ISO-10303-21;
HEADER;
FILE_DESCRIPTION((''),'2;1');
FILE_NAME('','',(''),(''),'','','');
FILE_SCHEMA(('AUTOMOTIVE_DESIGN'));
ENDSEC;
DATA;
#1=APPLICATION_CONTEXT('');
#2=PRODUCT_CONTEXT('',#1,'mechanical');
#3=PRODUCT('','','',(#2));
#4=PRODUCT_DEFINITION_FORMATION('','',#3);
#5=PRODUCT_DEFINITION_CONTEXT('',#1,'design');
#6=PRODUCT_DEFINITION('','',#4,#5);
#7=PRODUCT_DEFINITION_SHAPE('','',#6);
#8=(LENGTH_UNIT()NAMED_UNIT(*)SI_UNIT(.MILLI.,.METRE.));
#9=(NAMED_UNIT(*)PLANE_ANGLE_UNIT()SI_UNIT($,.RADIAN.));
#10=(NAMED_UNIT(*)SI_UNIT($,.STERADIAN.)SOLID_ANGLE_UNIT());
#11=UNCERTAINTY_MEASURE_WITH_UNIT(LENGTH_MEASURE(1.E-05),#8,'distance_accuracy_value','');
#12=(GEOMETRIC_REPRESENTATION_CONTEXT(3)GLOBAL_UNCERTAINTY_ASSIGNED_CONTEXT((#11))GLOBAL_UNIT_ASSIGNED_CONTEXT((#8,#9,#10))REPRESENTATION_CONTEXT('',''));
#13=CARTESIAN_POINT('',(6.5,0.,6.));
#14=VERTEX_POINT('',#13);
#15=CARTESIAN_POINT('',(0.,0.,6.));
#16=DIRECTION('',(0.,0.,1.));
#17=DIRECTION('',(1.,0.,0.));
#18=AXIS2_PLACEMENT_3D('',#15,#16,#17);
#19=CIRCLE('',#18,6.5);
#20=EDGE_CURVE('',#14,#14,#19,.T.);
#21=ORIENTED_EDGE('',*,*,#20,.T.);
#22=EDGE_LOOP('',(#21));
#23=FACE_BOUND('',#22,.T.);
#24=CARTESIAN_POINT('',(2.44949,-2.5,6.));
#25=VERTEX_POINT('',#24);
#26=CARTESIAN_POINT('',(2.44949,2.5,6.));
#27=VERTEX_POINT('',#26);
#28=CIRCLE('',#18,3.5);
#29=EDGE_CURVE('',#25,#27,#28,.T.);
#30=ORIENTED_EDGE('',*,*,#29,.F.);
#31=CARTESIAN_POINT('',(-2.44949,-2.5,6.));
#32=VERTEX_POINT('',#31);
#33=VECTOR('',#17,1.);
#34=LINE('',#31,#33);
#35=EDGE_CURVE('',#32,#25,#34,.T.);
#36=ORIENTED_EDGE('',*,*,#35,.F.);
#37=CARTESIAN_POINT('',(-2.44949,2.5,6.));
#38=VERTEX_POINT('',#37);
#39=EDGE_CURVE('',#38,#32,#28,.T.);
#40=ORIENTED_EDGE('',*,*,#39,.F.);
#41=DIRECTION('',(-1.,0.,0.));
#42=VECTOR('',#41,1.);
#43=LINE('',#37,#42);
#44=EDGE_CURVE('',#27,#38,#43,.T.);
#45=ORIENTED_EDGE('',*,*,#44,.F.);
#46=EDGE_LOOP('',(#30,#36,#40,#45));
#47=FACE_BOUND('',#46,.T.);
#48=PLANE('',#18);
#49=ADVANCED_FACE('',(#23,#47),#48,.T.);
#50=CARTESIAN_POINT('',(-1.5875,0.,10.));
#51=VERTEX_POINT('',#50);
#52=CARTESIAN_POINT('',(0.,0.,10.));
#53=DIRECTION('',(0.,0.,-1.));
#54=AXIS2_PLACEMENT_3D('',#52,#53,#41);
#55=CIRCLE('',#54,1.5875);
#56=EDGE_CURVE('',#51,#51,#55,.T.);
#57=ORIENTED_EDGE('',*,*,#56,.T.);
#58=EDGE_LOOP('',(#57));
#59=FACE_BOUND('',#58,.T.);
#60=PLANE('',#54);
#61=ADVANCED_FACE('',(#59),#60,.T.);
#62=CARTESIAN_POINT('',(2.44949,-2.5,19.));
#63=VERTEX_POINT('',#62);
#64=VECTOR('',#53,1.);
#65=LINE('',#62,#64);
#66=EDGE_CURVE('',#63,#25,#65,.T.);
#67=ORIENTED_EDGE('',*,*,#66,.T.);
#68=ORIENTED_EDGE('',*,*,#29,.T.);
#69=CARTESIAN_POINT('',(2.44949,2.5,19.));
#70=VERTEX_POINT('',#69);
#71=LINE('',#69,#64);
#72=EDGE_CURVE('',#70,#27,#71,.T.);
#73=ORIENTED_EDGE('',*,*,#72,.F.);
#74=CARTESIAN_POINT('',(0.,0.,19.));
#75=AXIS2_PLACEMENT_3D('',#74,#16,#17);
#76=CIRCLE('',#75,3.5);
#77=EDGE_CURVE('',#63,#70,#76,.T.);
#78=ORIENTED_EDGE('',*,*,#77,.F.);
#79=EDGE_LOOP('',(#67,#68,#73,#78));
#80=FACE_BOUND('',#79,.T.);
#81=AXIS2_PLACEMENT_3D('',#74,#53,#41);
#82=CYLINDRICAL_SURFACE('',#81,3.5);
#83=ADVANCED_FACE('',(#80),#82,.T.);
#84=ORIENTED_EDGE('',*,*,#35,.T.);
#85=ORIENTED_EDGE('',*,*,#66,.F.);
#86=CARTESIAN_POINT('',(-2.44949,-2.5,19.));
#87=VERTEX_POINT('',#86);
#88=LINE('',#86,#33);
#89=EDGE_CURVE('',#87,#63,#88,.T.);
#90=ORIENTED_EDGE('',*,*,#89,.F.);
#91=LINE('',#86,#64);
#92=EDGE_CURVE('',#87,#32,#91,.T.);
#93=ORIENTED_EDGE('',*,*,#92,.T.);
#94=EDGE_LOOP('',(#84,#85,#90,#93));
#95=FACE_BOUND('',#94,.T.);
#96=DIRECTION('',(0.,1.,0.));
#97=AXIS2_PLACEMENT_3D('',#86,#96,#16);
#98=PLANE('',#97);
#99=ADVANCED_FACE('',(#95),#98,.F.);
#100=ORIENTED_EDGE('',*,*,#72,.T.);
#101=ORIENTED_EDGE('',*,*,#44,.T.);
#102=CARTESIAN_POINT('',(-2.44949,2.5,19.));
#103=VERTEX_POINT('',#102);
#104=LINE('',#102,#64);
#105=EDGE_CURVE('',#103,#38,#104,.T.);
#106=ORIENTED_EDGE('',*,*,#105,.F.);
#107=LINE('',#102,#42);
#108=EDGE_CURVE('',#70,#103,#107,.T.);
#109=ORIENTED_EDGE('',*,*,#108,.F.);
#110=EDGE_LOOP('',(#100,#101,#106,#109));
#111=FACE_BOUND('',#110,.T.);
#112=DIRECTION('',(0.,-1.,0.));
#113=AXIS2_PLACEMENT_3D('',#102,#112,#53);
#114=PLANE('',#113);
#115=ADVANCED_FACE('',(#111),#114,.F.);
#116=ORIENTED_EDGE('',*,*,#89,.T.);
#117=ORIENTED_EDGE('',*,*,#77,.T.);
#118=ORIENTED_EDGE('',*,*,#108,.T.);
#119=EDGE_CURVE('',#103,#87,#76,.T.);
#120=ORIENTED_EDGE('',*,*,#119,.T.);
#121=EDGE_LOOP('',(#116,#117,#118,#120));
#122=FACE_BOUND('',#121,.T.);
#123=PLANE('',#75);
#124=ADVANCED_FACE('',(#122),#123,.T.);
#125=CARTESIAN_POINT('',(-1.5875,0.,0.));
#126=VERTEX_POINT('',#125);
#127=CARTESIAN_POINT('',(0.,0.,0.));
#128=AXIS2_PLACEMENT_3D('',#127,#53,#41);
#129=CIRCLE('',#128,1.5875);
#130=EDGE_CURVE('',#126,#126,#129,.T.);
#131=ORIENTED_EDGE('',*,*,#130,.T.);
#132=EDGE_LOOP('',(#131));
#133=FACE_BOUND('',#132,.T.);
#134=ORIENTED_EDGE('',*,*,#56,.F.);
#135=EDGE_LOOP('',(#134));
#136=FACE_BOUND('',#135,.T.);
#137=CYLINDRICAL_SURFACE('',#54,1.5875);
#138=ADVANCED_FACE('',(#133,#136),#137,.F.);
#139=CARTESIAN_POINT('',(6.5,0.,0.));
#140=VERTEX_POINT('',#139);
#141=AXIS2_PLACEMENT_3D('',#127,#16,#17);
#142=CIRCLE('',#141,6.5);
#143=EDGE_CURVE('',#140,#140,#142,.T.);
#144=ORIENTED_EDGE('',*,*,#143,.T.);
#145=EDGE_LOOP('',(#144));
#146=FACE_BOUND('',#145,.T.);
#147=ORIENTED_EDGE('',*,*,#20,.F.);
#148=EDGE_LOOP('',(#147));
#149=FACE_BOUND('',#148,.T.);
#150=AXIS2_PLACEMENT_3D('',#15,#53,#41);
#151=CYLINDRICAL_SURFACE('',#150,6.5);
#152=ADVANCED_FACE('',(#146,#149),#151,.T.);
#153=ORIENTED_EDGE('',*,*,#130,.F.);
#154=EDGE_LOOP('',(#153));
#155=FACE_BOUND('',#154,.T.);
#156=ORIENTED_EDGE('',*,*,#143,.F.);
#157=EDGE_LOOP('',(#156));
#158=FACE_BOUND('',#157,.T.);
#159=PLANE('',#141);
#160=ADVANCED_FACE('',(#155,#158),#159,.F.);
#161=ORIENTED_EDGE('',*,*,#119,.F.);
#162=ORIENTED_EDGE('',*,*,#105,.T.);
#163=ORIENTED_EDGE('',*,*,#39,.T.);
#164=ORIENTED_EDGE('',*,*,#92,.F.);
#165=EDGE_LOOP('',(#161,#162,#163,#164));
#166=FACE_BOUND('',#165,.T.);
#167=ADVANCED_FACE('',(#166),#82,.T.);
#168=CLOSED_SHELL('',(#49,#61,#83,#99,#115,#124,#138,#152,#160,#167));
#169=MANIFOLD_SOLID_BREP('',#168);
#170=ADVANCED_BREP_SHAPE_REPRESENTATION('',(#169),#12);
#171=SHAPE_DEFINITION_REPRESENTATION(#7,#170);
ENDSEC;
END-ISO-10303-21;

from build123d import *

# Parameters (mm, degrees)
SKETCH1_R           = 6.5
BOSS_EXTRUDE1_DEPTH = 6
BOSS_EXTRUDE2_DEPTH = 13
SKETCH3_R           = 1.5875
CUT_EXTRUDE1_DEPTH  = 10


with BuildPart() as part:
    # Sketch1 → Boss-Extrude1 (new body)
    with BuildSketch(Plane.XY):
        Circle(SKETCH1_R)
    extrude(amount=BOSS_EXTRUDE1_DEPTH)

    # Sketch2 → Boss-Extrude2 (add)
    with BuildSketch(Plane.XY.offset(6)):
        with BuildLine():
            Line((-2.449489743, 2.5), (2.449489743, 2.5))
            ThreePointArc((2.449489743, 2.5), (3.5, 0), (2.449489743, -2.5))
            Line((2.449489743, -2.5), (-2.449489743, -2.5))
            ThreePointArc((-2.449489743, -2.5), (-3.5, 0), (-2.449489743, 2.5))
        make_face()
    extrude(amount=BOSS_EXTRUDE2_DEPTH)

    # Sketch3 → Cut-Extrude1 (cut)
    with BuildSketch(Plane(origin=(0, 0, 0), x_dir=(-1, 0, 0), z_dir=(0, 0, -1))):
        Circle(SKETCH3_R)
    extrude(amount=-CUT_EXTRUDE1_DEPTH, mode=Mode.SUBTRACT)


solid = part.part
